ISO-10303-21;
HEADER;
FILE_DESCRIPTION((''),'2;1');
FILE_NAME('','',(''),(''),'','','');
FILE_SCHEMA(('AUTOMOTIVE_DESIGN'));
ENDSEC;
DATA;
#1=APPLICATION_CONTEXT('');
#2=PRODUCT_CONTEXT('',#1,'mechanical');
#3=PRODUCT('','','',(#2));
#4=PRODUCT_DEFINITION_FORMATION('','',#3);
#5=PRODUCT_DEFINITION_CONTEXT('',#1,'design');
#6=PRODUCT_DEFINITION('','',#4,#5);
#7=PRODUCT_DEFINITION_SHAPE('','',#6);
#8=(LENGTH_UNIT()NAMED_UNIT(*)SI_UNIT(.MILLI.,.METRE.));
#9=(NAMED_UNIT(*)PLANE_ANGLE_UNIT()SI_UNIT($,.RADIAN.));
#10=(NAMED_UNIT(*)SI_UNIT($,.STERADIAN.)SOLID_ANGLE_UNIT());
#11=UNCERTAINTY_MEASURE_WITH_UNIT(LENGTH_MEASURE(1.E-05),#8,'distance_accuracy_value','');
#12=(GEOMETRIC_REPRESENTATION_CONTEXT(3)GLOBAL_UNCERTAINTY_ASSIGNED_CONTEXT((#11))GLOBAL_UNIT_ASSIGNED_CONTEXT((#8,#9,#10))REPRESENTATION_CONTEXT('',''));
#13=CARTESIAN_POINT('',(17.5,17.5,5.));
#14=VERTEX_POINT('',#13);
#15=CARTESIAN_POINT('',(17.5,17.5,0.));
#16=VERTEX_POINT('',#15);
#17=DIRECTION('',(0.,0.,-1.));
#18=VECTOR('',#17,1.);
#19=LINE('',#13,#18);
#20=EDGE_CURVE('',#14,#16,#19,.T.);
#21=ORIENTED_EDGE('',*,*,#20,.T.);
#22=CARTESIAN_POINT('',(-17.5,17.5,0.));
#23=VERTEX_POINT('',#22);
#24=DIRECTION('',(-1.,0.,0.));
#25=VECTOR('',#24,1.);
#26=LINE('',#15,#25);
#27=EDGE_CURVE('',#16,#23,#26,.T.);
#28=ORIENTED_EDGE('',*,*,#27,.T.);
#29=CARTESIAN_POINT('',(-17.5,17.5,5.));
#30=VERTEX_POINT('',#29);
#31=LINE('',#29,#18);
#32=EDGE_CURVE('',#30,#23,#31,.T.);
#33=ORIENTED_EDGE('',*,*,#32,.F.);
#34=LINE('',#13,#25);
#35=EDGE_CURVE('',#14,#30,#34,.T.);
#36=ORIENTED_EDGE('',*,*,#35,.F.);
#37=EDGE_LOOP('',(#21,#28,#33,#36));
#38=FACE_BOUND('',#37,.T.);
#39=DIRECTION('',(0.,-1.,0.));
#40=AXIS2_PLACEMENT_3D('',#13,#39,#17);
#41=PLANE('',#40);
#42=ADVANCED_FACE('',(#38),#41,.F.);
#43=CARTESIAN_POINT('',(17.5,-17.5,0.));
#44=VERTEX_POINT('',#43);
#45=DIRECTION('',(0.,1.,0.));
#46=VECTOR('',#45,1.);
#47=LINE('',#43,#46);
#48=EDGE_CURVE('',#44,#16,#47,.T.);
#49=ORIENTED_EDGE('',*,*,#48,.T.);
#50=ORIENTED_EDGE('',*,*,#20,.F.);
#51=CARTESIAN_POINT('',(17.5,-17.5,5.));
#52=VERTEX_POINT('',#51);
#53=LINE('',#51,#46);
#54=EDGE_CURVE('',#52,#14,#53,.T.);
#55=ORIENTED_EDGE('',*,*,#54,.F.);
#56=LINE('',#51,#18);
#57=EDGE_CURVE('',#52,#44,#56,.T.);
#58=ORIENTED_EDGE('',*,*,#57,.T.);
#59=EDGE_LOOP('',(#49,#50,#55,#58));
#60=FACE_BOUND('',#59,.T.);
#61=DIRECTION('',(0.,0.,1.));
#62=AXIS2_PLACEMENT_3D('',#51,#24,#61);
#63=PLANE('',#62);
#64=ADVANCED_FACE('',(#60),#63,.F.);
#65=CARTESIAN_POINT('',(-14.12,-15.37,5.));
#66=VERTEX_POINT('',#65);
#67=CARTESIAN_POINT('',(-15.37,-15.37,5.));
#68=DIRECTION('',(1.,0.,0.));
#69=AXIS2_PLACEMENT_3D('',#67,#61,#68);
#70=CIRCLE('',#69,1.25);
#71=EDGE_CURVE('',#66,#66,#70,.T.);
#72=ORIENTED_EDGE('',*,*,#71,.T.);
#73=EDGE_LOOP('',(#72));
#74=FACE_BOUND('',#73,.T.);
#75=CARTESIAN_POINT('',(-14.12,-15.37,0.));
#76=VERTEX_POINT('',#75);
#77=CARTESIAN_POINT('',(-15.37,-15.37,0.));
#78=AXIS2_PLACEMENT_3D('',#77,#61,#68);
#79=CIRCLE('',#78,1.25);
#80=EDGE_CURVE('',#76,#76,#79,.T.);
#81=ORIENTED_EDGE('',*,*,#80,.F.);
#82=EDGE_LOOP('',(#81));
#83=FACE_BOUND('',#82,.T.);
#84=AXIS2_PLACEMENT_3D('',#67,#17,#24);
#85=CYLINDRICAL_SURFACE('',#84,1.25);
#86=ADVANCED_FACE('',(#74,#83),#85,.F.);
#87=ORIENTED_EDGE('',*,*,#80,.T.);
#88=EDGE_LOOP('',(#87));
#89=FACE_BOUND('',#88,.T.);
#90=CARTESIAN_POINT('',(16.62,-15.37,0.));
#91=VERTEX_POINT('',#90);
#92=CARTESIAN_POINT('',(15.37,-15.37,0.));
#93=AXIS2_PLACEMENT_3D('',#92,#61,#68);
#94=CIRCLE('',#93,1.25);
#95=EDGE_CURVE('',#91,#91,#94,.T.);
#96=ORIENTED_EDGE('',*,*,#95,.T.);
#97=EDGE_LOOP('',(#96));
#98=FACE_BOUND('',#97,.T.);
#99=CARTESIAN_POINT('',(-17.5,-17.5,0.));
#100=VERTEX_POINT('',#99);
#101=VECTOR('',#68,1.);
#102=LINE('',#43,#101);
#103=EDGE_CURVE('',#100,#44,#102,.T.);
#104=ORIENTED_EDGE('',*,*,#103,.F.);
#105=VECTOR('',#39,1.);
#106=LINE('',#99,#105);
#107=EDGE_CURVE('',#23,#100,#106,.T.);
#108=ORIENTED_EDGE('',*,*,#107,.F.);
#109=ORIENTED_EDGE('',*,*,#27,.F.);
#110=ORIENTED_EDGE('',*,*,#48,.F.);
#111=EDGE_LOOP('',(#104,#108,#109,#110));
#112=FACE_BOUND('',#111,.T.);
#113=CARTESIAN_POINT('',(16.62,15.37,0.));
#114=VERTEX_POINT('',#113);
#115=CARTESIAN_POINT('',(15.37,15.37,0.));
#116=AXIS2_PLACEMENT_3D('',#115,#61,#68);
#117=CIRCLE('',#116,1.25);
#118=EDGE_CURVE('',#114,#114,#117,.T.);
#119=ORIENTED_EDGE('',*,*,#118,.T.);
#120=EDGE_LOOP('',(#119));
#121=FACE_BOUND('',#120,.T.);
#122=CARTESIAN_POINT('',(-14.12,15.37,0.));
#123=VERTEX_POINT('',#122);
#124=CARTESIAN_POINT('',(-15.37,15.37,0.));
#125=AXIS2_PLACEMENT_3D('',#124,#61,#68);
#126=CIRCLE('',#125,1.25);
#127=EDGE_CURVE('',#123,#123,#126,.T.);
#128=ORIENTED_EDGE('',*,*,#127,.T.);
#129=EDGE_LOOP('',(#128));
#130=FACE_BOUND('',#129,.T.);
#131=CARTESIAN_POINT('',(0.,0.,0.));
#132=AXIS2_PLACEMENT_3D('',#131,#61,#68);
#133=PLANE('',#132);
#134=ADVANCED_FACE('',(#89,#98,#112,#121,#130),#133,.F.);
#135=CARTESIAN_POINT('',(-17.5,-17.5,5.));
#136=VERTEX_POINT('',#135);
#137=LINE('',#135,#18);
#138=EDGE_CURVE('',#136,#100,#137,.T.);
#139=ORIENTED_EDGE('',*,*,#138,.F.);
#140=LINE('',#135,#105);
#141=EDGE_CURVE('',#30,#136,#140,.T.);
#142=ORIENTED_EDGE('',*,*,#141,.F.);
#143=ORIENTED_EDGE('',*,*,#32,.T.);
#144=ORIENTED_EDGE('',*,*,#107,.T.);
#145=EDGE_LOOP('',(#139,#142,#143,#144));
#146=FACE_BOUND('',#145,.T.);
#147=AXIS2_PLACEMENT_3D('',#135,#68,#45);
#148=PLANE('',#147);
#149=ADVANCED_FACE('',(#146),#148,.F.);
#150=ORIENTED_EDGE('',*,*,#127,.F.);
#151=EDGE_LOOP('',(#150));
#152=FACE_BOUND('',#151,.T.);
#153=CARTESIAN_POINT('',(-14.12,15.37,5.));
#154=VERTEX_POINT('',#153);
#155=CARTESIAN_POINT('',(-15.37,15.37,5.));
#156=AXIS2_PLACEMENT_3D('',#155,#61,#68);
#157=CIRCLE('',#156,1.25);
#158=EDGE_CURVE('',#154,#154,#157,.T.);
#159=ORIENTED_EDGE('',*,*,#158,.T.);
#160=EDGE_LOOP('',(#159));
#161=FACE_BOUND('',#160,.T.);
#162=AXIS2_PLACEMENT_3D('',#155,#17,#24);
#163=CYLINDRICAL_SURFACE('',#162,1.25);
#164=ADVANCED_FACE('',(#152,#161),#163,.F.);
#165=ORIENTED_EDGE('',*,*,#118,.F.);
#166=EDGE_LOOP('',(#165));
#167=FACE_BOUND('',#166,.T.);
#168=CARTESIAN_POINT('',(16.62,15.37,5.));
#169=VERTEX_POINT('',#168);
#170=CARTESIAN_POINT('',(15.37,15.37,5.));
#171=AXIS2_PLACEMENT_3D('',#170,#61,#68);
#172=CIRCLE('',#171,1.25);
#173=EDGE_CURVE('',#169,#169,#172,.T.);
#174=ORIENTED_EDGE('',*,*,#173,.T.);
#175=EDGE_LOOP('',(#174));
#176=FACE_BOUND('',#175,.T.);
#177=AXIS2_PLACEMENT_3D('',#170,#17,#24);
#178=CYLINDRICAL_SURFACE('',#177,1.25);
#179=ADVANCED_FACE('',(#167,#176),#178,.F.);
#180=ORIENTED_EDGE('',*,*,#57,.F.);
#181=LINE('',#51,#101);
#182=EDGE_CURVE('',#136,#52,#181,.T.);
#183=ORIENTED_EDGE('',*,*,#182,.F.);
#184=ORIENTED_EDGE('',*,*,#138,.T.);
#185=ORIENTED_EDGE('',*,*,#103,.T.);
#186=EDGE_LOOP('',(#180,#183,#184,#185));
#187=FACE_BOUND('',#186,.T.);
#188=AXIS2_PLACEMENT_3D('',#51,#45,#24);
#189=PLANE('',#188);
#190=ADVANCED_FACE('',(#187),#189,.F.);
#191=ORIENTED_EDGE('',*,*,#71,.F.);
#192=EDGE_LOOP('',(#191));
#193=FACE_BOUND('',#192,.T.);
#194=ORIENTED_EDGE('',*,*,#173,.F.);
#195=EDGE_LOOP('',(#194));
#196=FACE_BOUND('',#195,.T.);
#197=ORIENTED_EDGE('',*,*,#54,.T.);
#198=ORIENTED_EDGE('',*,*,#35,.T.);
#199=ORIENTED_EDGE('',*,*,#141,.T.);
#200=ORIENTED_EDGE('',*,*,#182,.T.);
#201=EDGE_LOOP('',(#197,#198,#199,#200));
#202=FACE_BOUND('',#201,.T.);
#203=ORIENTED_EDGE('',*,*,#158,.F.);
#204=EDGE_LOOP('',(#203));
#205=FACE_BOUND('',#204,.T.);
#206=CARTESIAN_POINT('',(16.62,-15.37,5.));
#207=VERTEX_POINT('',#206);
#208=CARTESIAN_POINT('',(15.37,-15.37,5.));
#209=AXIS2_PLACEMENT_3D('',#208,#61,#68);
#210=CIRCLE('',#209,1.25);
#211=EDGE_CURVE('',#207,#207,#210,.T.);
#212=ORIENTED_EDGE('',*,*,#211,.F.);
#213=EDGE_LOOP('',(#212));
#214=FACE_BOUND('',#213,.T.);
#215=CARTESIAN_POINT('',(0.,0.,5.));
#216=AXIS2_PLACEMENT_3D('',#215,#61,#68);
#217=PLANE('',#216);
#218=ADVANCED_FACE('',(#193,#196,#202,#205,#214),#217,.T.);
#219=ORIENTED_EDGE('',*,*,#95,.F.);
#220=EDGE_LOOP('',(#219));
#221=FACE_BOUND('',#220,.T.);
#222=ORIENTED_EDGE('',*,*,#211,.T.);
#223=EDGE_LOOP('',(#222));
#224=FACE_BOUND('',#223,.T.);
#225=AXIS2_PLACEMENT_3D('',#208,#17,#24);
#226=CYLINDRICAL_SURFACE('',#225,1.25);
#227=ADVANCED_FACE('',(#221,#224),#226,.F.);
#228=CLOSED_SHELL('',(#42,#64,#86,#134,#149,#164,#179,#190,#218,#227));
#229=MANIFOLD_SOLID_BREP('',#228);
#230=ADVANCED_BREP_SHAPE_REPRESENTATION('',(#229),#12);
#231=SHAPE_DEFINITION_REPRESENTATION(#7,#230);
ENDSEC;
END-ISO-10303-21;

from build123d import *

# Parameters (mm, degrees)
CROQUIS1_W              = 35
CROQUIS1_H              = 35
CROQUIS1_R              = 1.25
SALIENTE_EXTRUIR1_DEPTH = 5


with BuildPart() as part:
    # Croquis1 → Saliente-Extruir1 (new body)
    with BuildSketch(Plane.XY):
        Rectangle(CROQUIS1_W, CROQUIS1_H)
        with Locations((15.37, -15.37)):
            Circle(CROQUIS1_R, mode=Mode.SUBTRACT)
        with Locations((-15.37, -15.37)):
            Circle(CROQUIS1_R, mode=Mode.SUBTRACT)
        with Locations((-15.37, 15.37)):
            Circle(CROQUIS1_R, mode=Mode.SUBTRACT)
        with Locations((15.37, 15.37)):
            Circle(CROQUIS1_R, mode=Mode.SUBTRACT)
    extrude(amount=SALIENTE_EXTRUIR1_DEPTH)


solid = part.part
